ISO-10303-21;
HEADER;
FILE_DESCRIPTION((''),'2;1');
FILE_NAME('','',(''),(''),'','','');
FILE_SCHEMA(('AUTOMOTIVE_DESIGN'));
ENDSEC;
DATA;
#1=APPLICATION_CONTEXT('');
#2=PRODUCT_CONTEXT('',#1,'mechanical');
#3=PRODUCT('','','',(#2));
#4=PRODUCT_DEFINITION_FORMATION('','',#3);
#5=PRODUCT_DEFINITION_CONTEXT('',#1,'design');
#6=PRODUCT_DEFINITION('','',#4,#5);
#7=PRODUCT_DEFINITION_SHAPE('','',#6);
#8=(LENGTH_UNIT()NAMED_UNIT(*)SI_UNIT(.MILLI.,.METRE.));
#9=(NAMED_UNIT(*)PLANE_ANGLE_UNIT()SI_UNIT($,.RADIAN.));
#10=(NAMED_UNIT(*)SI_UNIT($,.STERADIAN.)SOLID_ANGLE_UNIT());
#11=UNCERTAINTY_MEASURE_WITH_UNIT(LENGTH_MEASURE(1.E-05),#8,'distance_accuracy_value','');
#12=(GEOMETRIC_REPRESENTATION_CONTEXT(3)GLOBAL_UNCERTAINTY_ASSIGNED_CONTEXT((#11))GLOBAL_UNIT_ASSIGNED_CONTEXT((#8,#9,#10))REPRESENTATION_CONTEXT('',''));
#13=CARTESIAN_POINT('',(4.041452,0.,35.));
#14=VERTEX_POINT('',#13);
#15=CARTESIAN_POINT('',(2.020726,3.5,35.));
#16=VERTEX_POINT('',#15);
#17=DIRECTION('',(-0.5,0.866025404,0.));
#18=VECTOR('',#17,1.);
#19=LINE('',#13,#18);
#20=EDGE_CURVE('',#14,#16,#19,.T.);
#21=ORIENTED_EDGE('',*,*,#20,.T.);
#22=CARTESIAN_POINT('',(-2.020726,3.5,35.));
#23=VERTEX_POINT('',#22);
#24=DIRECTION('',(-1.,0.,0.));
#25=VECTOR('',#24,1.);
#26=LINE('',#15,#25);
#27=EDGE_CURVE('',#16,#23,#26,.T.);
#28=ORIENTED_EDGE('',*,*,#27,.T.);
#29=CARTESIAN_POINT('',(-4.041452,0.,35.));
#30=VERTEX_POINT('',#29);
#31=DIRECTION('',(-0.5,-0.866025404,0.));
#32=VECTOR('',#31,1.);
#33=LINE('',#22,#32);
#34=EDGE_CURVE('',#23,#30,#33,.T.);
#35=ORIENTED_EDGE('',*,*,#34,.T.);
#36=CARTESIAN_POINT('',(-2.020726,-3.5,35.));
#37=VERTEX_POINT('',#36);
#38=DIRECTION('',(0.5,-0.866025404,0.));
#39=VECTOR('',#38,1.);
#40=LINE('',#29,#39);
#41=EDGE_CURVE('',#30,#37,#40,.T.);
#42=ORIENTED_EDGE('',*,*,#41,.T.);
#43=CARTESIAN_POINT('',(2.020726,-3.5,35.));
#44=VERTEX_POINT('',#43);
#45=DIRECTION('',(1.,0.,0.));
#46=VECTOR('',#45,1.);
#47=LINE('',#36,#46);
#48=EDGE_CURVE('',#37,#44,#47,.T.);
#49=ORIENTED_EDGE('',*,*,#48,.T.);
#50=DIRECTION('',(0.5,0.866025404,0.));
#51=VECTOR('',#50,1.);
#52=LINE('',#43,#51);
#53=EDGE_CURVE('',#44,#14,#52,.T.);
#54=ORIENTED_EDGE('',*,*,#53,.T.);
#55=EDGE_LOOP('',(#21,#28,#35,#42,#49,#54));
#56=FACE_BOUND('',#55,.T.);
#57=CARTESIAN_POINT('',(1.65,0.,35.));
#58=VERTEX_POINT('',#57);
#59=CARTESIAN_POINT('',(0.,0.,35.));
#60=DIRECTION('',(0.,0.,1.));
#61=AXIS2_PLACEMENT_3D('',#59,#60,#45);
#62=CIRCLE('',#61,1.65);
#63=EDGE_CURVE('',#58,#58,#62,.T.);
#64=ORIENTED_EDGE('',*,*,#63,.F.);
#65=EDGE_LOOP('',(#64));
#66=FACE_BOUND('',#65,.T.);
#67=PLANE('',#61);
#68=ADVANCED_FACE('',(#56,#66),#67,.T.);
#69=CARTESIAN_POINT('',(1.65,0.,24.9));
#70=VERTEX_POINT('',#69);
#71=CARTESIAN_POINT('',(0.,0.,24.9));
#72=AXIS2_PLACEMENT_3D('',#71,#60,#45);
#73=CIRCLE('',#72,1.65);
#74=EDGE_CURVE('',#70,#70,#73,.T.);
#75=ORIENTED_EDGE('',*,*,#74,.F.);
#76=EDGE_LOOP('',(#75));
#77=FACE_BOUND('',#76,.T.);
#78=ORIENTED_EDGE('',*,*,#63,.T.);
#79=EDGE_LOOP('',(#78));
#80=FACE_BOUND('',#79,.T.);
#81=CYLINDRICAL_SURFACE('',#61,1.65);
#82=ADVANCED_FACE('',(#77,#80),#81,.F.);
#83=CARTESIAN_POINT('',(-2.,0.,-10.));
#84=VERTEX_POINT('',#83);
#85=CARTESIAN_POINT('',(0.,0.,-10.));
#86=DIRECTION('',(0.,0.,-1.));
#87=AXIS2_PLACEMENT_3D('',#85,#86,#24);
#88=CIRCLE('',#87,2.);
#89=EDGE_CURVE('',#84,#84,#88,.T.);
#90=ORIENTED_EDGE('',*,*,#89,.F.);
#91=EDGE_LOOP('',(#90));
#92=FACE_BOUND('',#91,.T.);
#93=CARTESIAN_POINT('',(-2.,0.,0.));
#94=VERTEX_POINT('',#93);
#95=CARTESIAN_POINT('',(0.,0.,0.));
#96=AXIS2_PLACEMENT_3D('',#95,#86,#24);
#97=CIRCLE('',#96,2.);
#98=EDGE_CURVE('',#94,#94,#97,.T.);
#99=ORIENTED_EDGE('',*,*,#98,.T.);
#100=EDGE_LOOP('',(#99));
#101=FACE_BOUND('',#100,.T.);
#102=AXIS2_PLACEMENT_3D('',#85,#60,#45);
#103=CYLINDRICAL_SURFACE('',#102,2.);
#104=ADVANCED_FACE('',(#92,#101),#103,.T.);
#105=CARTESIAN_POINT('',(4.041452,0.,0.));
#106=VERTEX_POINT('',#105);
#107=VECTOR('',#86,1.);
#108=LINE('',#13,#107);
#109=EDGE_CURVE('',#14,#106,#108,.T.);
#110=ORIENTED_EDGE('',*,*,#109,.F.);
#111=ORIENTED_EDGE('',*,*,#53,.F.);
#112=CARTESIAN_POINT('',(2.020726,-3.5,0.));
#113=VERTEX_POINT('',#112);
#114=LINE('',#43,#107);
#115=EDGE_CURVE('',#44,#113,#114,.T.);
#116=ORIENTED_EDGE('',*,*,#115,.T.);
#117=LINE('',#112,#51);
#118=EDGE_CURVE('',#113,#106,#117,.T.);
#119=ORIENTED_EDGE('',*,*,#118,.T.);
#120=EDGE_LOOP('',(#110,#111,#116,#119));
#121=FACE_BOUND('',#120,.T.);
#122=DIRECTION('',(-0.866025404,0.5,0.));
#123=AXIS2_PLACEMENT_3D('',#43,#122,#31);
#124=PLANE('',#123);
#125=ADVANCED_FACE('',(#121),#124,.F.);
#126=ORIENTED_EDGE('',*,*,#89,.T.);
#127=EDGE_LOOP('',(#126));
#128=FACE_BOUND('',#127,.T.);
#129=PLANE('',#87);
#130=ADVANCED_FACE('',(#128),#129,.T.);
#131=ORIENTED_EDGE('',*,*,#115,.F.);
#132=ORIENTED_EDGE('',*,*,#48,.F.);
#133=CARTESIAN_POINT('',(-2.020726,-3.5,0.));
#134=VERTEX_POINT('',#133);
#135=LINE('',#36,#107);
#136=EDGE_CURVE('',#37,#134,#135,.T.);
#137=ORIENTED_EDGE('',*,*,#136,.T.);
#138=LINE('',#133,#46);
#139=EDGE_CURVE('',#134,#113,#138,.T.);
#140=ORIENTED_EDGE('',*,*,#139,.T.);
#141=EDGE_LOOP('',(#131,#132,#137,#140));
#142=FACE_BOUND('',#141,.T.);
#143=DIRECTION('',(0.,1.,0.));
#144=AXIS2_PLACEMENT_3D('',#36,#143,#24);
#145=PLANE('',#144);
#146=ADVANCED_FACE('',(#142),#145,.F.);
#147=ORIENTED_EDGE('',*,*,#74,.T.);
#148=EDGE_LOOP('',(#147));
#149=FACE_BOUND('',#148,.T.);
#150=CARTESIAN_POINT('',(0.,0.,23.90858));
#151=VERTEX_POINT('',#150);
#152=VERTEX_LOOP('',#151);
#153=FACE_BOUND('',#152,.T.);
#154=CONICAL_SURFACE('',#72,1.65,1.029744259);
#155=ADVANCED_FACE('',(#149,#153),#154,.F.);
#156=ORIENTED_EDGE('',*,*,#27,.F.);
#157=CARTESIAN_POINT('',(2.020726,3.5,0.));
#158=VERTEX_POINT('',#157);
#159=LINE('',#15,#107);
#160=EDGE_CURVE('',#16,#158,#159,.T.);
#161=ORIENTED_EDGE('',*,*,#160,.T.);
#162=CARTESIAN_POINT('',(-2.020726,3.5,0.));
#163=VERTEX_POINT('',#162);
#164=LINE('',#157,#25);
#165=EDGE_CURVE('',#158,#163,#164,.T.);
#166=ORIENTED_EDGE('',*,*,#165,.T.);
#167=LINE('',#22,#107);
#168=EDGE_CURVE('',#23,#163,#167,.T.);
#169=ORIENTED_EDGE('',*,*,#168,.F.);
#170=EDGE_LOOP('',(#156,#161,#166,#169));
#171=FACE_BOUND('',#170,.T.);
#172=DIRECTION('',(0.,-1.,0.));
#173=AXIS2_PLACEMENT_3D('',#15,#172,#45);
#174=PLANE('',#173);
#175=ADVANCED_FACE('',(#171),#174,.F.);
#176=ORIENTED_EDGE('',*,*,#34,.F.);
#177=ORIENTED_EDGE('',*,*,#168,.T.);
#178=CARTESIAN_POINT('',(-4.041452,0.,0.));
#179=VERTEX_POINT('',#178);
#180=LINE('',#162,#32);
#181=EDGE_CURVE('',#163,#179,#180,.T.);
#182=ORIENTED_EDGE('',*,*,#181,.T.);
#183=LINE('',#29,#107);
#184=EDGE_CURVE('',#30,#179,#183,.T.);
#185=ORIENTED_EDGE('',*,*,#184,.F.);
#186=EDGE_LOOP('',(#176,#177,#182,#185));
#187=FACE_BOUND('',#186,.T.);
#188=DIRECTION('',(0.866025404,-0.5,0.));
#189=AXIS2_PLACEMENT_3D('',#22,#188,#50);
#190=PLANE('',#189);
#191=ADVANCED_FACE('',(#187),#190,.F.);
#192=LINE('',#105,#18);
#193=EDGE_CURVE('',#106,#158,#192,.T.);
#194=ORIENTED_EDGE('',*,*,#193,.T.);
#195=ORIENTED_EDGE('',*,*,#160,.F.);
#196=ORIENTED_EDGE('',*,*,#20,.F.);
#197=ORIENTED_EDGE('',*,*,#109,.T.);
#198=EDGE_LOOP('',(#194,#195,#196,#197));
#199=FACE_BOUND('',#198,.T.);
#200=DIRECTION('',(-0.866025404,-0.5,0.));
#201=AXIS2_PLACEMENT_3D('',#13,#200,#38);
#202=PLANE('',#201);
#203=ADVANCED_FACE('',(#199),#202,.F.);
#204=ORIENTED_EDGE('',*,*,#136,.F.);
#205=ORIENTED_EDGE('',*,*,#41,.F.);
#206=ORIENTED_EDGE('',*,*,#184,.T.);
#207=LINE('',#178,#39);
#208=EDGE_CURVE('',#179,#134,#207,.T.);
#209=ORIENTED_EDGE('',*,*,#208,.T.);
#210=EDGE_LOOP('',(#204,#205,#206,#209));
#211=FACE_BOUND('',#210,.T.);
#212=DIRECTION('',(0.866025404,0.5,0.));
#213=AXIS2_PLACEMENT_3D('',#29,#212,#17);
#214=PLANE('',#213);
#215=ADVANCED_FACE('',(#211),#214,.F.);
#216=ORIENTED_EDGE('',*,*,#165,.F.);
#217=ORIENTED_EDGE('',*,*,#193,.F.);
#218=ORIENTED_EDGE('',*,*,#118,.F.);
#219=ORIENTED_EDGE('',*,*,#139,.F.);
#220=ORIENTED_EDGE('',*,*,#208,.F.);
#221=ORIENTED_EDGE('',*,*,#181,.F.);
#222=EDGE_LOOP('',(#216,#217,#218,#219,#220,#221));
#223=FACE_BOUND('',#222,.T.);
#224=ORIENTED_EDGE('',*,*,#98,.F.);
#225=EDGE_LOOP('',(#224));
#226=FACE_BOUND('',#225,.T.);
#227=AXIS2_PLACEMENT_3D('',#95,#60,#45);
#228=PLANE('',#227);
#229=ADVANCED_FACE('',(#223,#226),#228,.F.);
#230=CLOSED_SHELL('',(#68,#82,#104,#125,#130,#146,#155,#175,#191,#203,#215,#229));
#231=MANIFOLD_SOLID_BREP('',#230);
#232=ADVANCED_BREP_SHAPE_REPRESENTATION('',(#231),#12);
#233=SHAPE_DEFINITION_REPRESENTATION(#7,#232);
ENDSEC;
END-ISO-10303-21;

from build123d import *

# Parameters (mm, degrees)
EXTRUDE_1_DEPTH = 35
SKETCH_4_R      = 2
EXTRUDE_2_DEPTH = 10
M4X0_7_1_D      = 3.3
M4X0_7_1_DEPTH  = 10.1
M4X0_7_1_TIP    = 0.991420021


with BuildPart() as part:
    # 草圖1 → 填料-伸長1 (new body)
    with BuildSketch(Plane.XY):
        Polygon((-2.020725942, 3.5), (-4.041451884, 0), (-2.020725942, -3.5), (2.020725942, -3.5), (4.041451884, 0), (2.020725942, 3.5), align=None)
    extrude(amount=EXTRUDE_1_DEPTH)

    # 草圖4 → 填料-伸長2 (add)
    with BuildSketch(Plane(origin=(0, 0, 0), x_dir=(-1, 0, 0), z_dir=(0, 0, -1))):
        Circle(SKETCH_4_R)
    extrude(amount=EXTRUDE_2_DEPTH)

    # M4x0.7 螺紋孔1
    with Locations(Plane.XY.offset(35)):
        with Locations((0, 0)):
            Hole(M4X0_7_1_D / 2, depth=M4X0_7_1_DEPTH)
            with Locations((0, 0, -(M4X0_7_1_DEPTH + M4X0_7_1_TIP / 2))):  # 118° drill point
                Cone(0, M4X0_7_1_D / 2, M4X0_7_1_TIP, mode=Mode.SUBTRACT)


solid = part.part
